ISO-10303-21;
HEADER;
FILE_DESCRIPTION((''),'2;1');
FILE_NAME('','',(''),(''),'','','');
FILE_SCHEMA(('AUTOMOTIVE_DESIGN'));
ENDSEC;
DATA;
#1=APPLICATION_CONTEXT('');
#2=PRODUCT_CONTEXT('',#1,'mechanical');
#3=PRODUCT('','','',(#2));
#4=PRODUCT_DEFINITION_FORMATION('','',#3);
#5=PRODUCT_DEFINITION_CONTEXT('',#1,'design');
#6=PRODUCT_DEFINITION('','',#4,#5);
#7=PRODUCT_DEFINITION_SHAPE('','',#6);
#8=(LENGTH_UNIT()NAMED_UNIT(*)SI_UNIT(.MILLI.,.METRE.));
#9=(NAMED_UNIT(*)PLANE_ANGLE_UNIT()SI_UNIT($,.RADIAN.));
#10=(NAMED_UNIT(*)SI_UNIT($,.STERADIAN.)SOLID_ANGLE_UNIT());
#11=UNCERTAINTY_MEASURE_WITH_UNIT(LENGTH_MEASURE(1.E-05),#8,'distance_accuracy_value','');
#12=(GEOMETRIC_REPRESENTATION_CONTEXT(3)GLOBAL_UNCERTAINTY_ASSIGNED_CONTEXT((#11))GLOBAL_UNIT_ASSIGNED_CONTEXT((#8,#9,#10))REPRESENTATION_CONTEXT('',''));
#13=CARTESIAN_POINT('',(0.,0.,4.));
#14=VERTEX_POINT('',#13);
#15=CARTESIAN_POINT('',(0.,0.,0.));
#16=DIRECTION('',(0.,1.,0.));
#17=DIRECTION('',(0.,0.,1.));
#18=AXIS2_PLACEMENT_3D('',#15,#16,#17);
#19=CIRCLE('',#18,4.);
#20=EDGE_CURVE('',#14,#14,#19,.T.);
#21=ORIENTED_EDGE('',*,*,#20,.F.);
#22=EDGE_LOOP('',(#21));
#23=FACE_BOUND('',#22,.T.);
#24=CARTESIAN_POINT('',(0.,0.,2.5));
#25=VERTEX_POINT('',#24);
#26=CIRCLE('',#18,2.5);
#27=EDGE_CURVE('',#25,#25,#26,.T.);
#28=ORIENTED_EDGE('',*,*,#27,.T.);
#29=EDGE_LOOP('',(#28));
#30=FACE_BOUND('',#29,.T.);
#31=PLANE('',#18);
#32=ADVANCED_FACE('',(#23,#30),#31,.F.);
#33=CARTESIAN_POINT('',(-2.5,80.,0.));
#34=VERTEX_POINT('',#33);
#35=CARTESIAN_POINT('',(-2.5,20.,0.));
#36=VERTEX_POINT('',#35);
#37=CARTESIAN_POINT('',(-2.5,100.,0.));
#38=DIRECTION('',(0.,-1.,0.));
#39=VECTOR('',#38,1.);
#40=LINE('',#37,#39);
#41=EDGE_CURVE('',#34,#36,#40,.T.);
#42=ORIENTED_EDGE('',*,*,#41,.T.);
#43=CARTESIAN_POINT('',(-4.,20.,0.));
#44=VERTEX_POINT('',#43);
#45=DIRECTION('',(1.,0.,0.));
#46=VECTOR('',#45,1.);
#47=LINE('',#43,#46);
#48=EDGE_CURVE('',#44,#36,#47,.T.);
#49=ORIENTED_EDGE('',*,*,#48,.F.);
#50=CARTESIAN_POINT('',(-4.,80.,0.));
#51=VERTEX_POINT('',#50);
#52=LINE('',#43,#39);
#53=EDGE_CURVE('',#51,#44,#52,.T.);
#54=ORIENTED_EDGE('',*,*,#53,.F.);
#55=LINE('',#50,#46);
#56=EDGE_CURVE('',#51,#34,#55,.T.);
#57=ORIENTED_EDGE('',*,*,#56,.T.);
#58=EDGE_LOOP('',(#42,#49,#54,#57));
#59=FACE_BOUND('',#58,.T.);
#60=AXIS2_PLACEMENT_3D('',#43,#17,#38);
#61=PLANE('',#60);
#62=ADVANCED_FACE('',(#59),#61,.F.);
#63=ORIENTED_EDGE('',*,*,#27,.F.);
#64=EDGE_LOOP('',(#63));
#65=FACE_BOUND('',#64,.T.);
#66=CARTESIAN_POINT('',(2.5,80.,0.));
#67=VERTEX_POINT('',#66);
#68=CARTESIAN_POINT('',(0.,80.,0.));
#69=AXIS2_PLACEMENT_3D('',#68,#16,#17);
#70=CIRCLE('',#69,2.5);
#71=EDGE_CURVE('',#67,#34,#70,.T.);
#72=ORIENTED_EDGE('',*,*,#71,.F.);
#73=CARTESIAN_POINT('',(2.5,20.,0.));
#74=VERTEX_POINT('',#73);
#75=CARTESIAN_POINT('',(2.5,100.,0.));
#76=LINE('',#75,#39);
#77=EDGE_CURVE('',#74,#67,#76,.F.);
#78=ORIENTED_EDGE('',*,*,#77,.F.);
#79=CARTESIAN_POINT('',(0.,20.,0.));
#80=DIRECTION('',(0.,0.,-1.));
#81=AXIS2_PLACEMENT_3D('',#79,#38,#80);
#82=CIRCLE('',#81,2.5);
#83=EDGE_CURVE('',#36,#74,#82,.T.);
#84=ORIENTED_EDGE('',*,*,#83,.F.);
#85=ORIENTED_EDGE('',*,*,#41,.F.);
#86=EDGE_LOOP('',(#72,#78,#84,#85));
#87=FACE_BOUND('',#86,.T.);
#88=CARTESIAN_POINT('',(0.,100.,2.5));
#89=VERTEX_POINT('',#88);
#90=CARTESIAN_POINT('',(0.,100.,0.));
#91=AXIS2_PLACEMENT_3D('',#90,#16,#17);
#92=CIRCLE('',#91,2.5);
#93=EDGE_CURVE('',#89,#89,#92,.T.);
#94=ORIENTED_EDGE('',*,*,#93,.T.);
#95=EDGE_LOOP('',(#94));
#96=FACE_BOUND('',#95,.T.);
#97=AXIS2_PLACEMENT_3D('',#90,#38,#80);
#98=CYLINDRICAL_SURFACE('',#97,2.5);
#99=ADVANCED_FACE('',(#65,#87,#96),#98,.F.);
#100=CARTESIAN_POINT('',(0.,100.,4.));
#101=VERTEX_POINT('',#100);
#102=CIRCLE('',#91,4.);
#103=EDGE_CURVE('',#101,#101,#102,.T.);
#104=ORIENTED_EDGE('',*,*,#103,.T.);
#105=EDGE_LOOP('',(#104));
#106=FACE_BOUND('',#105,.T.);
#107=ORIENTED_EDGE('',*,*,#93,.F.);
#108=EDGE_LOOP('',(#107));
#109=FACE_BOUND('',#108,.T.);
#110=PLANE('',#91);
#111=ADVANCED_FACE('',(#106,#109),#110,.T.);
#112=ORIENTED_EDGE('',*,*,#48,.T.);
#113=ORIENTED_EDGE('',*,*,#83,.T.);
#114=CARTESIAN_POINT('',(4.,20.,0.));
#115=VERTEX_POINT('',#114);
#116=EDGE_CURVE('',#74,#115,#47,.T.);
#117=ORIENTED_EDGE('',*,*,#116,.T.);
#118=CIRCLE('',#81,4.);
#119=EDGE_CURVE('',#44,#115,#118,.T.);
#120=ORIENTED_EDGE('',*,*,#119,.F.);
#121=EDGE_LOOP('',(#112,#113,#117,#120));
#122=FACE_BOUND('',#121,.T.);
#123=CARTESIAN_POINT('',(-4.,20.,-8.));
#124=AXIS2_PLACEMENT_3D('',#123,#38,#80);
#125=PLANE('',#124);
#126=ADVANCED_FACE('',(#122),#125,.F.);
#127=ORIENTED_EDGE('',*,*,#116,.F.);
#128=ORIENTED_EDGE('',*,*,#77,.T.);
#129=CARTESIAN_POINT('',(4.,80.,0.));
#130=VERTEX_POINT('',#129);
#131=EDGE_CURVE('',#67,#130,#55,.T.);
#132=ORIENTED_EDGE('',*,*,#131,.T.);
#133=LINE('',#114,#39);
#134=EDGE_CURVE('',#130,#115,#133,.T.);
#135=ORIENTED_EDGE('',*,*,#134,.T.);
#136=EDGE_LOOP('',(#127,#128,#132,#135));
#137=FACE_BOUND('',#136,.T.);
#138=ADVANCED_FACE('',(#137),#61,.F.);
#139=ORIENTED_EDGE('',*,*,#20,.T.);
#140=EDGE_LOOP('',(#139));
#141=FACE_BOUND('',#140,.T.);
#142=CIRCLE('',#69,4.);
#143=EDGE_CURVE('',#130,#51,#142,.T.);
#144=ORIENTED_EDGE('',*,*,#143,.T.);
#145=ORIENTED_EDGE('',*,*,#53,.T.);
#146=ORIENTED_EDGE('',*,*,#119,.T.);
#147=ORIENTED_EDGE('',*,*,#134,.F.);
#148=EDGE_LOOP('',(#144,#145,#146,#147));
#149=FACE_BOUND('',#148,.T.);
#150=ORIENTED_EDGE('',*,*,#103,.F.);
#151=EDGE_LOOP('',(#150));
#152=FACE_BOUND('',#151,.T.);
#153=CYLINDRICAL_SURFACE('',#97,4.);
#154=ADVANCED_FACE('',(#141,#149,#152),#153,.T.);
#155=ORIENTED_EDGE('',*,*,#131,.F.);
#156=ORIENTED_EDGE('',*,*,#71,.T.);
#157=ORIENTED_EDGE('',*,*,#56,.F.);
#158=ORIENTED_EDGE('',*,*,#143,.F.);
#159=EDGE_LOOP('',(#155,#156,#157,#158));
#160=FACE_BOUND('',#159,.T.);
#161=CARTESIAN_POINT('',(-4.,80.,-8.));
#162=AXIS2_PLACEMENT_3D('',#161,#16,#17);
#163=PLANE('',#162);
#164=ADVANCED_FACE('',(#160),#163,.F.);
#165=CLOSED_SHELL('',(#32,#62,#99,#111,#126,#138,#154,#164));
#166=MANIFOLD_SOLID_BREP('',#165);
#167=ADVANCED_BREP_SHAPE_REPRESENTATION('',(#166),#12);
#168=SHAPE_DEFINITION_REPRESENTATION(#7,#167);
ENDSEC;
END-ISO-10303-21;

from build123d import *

# Parameters (mm, degrees)
SKETCH_1_R               = 4
SKETCH_1_R_2             = 2.5
EXTRUDE_1_DEPTH          = 100
CUT_EXTRUDE_1_DEPTH      = 101.159872204
CUT_EXTRUDE_1_DEPTH_BACK = 101.159872204
SKETCH_2_W               = 8
SKETCH_2_H               = 60


with BuildPart() as part:
    # 草图1 → 凸台-拉伸1 (new body)
    with BuildSketch(Plane(origin=(0, 0, 0), x_dir=(1, 0, 0), z_dir=(0, 1, 0))):
        with Locations(Location((0, 0, 0), (0, 0, 270))):
            Circle(SKETCH_1_R)
        with Locations(Location((0, 0, 0), (0, 0, 270))):
            Circle(SKETCH_1_R_2, mode=Mode.SUBTRACT)
    extrude(amount=EXTRUDE_1_DEPTH)

    # 草图2 → 切除-拉伸1 (cut, two sides: drawn at the far end of the back side and taken through both)
    with BuildSketch(Plane(origin=(0, 0, 0), x_dir=(0, 0, -1), z_dir=(1, 0, 0)).offset(-CUT_EXTRUDE_1_DEPTH_BACK)):
        with Locations((4, 50)):
            Rectangle(SKETCH_2_W, SKETCH_2_H)
    extrude(amount=CUT_EXTRUDE_1_DEPTH + CUT_EXTRUDE_1_DEPTH_BACK, mode=Mode.SUBTRACT)


solid = part.part
